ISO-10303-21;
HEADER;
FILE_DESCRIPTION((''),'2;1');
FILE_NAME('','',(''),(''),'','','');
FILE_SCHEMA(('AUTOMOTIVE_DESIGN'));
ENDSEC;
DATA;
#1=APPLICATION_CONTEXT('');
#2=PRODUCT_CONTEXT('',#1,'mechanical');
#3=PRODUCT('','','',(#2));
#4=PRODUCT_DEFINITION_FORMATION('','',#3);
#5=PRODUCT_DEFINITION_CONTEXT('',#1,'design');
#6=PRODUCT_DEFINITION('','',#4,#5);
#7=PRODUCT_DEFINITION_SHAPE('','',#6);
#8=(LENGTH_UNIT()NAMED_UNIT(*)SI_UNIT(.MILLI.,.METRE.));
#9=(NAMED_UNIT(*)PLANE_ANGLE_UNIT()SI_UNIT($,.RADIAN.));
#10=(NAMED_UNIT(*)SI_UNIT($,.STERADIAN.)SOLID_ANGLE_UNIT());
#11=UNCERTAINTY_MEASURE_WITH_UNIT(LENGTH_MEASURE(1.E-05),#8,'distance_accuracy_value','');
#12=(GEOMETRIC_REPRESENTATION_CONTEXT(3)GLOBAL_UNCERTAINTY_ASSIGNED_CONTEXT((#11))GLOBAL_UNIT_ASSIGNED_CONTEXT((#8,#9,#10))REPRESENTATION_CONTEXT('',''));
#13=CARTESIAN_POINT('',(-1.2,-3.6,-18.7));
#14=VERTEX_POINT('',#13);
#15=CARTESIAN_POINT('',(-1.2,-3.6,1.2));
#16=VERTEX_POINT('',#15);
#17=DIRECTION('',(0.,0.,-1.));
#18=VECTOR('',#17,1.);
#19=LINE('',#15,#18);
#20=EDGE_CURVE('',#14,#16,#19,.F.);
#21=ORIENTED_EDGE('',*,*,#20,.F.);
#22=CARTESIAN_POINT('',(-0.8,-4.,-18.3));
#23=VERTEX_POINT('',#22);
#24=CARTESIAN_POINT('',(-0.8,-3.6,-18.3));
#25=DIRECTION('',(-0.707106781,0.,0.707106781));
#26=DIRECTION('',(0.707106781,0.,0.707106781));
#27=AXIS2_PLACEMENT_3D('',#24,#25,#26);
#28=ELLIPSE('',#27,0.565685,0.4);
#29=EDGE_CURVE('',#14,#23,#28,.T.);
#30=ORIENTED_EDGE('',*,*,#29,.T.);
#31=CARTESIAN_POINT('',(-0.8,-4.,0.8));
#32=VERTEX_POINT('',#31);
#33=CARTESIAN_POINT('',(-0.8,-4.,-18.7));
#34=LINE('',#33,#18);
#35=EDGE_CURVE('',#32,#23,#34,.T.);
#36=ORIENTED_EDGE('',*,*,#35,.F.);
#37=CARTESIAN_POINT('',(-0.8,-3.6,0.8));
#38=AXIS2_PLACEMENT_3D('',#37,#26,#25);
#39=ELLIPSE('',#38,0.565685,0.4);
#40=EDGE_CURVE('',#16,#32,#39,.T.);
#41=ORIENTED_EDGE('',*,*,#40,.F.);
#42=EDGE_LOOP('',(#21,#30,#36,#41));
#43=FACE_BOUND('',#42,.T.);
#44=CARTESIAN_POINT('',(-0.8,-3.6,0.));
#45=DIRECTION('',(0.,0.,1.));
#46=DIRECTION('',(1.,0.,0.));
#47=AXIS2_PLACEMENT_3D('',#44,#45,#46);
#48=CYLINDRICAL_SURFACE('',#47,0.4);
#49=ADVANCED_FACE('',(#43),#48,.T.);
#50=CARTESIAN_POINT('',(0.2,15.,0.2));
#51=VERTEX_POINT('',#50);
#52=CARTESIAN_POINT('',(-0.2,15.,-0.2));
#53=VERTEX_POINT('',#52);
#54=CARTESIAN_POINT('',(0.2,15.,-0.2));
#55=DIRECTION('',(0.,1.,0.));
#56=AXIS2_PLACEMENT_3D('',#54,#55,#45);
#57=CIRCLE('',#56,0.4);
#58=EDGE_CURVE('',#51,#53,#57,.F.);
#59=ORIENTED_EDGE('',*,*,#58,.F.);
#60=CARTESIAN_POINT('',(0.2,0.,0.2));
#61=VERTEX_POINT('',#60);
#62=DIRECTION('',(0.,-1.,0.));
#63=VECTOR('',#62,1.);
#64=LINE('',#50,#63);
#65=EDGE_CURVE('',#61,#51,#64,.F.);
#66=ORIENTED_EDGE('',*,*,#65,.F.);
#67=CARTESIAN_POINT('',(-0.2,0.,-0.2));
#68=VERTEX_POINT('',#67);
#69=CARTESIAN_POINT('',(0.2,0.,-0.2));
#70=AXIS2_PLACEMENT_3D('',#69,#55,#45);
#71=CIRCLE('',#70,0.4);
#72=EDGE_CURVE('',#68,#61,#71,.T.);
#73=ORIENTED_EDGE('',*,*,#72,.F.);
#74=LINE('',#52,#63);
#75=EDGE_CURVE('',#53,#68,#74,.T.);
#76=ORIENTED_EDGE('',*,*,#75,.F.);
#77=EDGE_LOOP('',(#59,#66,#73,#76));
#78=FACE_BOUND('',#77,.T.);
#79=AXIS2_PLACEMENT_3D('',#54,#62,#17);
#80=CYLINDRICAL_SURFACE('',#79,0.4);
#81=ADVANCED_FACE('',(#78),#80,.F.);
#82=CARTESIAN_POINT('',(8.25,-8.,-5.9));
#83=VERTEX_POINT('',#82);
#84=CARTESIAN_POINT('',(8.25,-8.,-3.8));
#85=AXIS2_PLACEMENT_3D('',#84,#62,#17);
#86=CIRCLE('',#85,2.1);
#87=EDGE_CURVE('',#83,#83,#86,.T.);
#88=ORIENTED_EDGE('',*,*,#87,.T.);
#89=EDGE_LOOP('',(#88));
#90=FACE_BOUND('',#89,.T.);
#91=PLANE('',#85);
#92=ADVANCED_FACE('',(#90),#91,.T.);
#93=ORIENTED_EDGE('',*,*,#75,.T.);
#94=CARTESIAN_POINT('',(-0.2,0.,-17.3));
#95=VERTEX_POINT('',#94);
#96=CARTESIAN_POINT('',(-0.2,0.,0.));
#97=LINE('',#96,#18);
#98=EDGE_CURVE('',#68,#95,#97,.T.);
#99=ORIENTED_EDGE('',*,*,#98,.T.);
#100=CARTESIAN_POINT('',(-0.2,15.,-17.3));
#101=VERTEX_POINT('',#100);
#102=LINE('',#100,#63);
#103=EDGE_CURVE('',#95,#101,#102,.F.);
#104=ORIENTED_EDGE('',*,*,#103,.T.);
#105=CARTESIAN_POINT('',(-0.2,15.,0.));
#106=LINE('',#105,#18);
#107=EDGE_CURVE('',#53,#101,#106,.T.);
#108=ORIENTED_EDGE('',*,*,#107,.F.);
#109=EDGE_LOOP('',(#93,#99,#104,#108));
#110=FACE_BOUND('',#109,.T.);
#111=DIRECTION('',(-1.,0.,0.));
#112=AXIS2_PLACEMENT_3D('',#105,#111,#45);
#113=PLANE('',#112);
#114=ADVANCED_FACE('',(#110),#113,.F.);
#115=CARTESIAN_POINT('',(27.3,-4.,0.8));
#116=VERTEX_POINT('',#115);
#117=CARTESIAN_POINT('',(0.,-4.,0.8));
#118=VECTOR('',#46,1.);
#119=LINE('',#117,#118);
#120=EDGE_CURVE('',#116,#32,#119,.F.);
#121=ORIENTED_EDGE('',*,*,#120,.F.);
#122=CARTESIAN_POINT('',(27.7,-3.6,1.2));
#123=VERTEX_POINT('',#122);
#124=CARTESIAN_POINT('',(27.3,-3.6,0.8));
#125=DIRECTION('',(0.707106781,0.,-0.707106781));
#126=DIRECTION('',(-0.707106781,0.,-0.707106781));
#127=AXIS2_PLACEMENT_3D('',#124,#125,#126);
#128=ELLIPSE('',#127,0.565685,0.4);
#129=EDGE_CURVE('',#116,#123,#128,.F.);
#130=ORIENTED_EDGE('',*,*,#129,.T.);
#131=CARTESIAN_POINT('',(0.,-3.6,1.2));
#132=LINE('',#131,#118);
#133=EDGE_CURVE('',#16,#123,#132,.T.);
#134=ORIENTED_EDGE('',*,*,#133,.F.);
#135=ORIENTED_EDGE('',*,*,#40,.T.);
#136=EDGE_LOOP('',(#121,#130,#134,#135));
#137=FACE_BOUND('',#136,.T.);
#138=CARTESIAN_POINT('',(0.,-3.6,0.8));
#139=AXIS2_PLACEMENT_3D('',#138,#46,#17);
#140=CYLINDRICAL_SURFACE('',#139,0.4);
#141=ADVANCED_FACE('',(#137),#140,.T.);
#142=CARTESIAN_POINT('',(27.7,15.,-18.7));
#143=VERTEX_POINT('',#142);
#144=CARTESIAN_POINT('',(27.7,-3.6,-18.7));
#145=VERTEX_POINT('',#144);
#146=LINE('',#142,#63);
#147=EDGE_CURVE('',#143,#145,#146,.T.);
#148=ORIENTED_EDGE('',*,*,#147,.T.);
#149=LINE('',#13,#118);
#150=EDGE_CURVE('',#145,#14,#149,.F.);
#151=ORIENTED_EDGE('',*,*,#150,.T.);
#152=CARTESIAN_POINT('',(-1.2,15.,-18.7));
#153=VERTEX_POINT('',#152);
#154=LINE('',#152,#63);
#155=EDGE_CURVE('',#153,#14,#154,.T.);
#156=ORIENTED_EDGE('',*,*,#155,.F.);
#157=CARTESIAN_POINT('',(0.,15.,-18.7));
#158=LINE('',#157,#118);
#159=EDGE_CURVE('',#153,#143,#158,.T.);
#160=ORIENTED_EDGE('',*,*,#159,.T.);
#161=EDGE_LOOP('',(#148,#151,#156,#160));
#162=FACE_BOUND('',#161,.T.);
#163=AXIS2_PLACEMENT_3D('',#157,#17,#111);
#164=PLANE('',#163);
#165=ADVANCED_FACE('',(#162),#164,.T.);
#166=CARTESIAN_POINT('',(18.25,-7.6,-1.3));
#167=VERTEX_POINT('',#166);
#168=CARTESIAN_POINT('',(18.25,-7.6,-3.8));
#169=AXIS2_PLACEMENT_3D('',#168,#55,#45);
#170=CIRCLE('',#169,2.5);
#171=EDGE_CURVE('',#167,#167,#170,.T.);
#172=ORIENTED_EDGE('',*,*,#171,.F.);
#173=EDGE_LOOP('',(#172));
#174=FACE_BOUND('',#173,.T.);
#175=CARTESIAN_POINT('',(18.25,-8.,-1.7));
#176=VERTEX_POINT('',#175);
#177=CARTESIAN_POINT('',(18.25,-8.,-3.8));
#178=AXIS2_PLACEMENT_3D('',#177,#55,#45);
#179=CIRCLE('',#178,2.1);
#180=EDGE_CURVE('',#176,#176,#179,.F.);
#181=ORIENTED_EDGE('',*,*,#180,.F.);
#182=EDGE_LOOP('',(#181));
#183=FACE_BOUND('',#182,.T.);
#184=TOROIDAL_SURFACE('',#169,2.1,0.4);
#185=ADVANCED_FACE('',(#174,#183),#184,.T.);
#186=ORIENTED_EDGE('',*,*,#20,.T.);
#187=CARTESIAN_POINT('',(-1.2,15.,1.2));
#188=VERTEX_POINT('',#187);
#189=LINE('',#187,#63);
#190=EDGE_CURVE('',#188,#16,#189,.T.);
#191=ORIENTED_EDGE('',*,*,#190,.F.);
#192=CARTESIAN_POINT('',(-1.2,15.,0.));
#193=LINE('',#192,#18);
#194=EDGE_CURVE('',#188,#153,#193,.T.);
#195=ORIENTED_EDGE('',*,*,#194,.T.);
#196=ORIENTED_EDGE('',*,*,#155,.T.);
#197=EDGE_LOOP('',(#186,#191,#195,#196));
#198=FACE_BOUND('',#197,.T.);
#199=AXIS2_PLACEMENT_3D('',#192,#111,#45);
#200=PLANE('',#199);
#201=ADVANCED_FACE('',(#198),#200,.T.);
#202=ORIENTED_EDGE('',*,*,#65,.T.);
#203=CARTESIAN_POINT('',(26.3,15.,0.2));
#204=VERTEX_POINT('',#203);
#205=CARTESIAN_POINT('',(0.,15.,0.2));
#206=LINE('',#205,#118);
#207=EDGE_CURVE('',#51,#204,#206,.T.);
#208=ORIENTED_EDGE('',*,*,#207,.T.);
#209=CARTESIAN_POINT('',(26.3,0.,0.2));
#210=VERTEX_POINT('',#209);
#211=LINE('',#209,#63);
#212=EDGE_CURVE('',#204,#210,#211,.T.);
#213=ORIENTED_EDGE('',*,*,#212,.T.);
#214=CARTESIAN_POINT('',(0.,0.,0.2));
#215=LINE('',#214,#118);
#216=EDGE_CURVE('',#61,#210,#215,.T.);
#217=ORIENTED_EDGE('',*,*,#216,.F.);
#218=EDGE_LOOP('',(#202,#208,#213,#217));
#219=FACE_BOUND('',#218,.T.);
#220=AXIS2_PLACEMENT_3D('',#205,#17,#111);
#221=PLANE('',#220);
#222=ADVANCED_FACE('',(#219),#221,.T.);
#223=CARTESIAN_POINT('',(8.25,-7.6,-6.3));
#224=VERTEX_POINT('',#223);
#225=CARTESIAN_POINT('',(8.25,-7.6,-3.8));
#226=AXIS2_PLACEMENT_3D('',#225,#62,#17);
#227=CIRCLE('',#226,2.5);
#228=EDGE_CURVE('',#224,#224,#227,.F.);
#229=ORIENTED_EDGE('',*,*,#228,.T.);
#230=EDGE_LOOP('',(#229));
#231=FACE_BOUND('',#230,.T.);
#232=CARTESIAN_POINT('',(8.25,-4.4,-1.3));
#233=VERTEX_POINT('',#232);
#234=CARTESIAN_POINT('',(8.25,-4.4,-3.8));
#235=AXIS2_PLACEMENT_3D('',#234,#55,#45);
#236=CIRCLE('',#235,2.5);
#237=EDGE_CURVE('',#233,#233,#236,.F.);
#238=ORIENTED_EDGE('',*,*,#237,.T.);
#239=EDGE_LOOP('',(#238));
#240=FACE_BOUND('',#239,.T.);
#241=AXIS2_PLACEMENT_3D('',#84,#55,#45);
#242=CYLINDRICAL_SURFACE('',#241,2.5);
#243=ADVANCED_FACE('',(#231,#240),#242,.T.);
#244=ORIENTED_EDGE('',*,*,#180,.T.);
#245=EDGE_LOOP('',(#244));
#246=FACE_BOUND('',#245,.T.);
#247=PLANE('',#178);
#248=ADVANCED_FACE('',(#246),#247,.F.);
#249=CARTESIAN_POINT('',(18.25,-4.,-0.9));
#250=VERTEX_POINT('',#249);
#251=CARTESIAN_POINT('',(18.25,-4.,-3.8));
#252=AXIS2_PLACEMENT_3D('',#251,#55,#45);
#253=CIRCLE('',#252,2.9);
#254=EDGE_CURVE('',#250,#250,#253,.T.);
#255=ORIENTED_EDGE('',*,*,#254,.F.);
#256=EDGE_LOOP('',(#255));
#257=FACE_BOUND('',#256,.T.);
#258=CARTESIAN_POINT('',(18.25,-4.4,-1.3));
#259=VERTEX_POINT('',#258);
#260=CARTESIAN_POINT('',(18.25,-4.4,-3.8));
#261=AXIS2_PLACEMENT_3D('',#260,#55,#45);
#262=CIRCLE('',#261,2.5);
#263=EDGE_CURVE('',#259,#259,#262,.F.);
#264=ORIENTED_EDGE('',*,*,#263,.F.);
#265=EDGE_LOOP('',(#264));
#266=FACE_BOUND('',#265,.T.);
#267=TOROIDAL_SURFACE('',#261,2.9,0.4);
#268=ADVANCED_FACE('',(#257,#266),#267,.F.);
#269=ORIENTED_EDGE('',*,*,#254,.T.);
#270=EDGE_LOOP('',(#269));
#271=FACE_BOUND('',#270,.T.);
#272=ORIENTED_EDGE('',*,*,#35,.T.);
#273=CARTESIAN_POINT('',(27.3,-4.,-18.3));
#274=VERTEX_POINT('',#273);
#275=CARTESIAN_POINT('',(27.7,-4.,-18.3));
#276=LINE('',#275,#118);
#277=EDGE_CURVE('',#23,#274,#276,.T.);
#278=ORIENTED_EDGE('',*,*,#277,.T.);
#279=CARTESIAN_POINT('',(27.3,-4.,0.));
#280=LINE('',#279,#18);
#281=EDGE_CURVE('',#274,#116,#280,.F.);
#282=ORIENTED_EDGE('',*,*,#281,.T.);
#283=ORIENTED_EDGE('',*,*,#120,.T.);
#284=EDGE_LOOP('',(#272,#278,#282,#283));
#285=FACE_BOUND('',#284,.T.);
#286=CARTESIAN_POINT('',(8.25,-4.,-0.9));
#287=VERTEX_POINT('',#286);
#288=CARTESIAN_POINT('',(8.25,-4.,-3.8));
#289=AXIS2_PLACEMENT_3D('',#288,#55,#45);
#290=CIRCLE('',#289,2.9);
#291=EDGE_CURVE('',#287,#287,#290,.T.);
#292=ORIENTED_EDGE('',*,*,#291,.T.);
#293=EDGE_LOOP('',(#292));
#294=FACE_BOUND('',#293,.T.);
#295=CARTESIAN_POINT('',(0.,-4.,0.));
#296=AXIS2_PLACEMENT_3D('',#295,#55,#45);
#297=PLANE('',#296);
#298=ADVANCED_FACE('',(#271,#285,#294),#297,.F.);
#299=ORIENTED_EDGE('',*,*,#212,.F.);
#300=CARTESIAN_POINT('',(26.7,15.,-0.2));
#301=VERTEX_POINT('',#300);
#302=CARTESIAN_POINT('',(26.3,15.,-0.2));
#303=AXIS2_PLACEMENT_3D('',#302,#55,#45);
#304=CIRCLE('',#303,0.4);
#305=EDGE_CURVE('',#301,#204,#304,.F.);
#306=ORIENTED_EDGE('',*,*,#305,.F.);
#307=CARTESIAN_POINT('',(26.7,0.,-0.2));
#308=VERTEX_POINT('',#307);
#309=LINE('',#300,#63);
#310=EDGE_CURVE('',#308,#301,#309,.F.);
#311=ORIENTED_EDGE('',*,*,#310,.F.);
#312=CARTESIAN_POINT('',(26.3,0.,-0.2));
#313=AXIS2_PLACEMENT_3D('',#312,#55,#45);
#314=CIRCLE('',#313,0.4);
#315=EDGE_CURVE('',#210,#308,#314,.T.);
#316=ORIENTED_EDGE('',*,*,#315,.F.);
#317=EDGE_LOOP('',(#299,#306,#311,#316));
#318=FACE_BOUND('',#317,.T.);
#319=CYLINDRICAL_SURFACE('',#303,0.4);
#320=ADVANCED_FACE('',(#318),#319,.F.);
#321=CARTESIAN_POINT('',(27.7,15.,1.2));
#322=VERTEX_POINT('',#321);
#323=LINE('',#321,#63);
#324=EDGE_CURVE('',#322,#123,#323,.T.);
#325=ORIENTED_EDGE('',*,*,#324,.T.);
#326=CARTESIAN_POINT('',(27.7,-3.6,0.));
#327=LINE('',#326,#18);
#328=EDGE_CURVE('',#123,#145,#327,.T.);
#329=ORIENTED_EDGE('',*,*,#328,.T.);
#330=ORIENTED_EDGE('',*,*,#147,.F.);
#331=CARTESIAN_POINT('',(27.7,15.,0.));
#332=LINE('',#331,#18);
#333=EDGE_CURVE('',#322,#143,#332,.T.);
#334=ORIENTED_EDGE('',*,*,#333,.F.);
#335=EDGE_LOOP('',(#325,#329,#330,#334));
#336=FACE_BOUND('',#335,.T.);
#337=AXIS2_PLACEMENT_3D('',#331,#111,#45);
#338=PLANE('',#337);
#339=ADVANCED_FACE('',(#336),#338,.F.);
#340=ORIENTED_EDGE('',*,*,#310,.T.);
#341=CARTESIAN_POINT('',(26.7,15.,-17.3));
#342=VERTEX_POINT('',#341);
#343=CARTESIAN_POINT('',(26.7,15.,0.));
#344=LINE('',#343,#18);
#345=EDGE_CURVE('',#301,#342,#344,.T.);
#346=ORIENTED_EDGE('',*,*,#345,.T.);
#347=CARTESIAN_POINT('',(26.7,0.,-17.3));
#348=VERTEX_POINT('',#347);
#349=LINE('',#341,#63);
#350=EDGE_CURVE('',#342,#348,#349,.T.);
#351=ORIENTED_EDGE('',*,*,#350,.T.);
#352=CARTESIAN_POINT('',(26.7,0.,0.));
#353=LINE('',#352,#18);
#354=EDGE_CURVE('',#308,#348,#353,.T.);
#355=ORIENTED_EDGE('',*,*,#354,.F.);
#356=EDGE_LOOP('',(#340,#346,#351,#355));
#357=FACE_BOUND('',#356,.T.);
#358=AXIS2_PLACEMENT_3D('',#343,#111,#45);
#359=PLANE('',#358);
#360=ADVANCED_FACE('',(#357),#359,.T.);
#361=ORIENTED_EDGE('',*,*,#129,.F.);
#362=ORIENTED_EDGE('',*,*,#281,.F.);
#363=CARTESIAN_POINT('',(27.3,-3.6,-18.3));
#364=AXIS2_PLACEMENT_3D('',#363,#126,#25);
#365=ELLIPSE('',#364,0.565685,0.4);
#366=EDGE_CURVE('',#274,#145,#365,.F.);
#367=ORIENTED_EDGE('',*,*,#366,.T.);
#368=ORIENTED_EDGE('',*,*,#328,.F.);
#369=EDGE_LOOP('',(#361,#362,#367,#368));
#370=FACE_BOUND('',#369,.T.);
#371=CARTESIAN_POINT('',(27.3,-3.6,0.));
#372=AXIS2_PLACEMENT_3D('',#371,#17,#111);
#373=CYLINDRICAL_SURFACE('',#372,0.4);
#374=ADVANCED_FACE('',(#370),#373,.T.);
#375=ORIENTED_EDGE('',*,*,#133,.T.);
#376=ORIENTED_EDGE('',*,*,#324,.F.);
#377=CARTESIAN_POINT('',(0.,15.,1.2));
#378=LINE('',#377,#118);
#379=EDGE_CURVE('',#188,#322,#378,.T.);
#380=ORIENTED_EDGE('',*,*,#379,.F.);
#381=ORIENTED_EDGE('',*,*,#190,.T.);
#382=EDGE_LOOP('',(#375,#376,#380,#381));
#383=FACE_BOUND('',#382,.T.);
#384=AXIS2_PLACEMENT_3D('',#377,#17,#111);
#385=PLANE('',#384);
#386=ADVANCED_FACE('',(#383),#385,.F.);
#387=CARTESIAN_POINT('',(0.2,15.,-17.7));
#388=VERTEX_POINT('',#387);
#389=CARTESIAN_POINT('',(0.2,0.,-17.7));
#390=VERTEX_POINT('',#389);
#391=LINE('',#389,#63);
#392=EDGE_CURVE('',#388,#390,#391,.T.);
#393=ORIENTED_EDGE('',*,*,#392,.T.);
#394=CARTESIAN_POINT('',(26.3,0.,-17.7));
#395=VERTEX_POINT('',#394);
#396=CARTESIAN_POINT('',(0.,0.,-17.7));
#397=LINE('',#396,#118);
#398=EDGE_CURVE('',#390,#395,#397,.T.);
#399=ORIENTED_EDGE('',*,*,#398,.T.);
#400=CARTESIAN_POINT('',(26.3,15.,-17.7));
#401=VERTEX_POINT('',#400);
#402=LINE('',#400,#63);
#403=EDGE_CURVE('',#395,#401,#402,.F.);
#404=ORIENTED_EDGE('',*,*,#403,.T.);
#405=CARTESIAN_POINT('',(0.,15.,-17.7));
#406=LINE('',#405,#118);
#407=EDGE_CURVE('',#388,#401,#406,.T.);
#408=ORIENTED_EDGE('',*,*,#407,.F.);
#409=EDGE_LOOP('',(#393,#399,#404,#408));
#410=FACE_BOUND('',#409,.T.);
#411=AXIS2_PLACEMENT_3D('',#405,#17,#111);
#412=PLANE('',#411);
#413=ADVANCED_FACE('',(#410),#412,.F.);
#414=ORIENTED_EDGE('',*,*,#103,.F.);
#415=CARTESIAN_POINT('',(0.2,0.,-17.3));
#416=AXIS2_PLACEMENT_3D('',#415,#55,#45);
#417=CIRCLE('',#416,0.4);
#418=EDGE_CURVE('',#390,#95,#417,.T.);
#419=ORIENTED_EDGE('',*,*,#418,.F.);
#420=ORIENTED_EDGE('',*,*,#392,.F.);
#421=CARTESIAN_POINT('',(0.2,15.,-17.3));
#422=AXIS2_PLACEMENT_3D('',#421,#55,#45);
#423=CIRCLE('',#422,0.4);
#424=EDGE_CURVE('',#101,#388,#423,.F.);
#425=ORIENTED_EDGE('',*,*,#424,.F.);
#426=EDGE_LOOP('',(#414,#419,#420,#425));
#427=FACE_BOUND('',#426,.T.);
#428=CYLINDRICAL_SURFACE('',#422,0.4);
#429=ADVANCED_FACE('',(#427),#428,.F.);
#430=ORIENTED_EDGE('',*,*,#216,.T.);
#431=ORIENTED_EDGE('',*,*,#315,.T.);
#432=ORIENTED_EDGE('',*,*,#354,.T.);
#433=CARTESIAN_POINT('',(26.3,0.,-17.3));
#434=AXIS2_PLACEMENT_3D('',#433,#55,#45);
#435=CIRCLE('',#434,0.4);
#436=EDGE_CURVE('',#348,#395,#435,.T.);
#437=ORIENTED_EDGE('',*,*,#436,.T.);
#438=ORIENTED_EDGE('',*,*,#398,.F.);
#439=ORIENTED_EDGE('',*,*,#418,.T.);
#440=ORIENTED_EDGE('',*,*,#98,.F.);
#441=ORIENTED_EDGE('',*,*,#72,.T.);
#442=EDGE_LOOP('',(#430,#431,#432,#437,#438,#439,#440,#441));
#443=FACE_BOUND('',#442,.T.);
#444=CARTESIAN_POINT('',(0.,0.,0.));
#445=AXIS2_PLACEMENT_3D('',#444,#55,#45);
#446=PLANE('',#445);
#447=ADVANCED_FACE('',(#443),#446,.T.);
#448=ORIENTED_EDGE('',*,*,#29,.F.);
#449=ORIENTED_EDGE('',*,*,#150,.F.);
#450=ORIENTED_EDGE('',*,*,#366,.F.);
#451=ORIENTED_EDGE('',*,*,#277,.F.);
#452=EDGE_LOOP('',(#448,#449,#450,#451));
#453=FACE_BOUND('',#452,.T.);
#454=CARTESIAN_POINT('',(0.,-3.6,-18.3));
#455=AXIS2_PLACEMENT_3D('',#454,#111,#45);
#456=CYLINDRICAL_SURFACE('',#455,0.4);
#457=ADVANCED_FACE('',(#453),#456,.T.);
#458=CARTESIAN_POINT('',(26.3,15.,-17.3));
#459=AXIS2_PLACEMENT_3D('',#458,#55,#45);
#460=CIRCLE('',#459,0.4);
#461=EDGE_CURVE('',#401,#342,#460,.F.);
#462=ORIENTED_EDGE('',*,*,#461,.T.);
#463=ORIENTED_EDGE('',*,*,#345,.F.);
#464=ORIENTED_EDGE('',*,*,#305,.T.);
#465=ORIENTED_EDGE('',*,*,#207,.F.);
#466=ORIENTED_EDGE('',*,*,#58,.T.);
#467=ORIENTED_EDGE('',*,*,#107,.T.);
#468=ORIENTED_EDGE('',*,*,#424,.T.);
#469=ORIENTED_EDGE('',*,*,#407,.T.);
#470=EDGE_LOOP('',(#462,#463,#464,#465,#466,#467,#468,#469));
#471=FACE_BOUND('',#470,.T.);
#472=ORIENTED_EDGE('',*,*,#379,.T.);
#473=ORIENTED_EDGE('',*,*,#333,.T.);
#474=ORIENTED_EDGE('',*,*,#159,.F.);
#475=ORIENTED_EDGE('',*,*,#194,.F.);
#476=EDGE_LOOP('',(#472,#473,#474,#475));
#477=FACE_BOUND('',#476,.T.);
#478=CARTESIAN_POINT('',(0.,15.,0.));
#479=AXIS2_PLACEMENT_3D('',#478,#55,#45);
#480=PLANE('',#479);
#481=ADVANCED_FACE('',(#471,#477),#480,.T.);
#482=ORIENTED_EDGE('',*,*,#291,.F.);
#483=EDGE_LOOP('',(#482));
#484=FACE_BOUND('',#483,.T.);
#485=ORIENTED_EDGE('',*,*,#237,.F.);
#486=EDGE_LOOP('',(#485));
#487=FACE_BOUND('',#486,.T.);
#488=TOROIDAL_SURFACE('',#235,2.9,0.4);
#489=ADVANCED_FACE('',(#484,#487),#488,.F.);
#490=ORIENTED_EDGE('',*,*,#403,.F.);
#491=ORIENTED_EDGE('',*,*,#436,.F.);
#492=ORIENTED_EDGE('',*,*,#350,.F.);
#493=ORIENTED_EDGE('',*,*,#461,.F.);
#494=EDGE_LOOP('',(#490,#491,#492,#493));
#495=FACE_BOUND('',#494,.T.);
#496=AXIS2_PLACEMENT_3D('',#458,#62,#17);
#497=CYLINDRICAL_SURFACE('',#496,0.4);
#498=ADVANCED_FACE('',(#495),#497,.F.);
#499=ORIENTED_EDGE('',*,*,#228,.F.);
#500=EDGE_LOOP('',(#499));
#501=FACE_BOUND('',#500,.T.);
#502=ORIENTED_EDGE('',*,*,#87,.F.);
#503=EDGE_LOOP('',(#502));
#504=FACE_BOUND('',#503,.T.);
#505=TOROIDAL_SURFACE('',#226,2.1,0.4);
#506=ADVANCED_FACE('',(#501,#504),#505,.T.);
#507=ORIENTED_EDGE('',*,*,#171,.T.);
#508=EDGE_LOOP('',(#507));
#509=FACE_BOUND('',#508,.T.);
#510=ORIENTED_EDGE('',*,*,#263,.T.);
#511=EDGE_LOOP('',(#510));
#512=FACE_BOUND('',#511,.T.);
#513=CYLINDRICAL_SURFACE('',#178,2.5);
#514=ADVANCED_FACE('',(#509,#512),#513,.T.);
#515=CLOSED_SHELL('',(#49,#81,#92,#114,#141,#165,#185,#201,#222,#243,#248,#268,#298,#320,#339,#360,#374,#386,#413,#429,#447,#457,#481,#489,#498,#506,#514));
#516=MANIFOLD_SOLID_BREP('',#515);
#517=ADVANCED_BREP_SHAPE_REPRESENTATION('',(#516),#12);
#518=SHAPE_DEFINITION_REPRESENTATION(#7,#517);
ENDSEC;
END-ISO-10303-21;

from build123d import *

# Parameters (mm, degrees)
SKETCH1_W           = 28.9
SKETCH1_H           = 19.9
SKETCH1_W_2         = 26.9
SKETCH1_H_2         = 17.9
BOSS_EXTRUDE1_DEPTH = 15
SKETCH1_3_W         = 28.9
SKETCH1_3_H         = 19.9
BOSS_EXTRUDE2_DEPTH = 4
SKETCH2_R           = 2.5
BOSS_EXTRUDE3_DEPTH = 4
FILLET1_R           = 0.4
FILLET2_R           = 0.4


with BuildPart() as part:
    # Sketch1 → Boss-Extrude1 (new body)
    with BuildSketch(Plane(origin=(0, 0, 0), x_dir=(1, 0, 0), z_dir=(0, 1, 0))):
        with Locations((13.25, 8.75)):
            Rectangle(SKETCH1_W, SKETCH1_H)
        with Locations((13.25, 8.75)):
            Rectangle(SKETCH1_W_2, SKETCH1_H_2, mode=Mode.SUBTRACT)
    extrude(amount=BOSS_EXTRUDE1_DEPTH)

    # Sketch1<3> → Boss-Extrude2 (add)
    with BuildSketch(Plane(origin=(0, 0, 0), x_dir=(1, 0, 0), z_dir=(0, 1, 0))):
        with Locations((13.25, 8.75)):
            Rectangle(SKETCH1_3_W, SKETCH1_3_H)
    extrude(amount=-BOSS_EXTRUDE2_DEPTH)

    # Sketch2 → Boss-Extrude3 (add)
    with BuildSketch(Plane.XZ.offset(4)):
        with Locations((8.25, -3.8)):
            Circle(SKETCH2_R)
        with Locations((18.25, -3.8)):
            Circle(SKETCH2_R)
    extrude(amount=BOSS_EXTRUDE3_DEPTH)

    # Fillet1
    fillet1_edges = [part.edges().sort_by_distance(p)[0] for p in [
        (13.25, -4, 1.2),
        (27.7, -4, -8.75),
        (13.25, -4, -18.7),
        (-1.2, -4, -8.75),
        (5.75, -4, -3.8),
        (15.75, -4, -3.8),
        (15.75, -8, -3.8),
        (5.75, -8, -3.8),
    ]]
    fillet(fillet1_edges, radius=FILLET1_R)

    # Fillet2
    fillet2_edges = [part.edges().sort_by_distance(p)[0] for p in [
        (26.7, 7.5, 0.2),
        (26.7, 7.5, -17.7),
        (-0.2, 7.5, 0.2),
        (-0.2, 7.5, -17.7),
    ]]
    fillet(fillet2_edges, radius=FILLET2_R)


solid = part.part
